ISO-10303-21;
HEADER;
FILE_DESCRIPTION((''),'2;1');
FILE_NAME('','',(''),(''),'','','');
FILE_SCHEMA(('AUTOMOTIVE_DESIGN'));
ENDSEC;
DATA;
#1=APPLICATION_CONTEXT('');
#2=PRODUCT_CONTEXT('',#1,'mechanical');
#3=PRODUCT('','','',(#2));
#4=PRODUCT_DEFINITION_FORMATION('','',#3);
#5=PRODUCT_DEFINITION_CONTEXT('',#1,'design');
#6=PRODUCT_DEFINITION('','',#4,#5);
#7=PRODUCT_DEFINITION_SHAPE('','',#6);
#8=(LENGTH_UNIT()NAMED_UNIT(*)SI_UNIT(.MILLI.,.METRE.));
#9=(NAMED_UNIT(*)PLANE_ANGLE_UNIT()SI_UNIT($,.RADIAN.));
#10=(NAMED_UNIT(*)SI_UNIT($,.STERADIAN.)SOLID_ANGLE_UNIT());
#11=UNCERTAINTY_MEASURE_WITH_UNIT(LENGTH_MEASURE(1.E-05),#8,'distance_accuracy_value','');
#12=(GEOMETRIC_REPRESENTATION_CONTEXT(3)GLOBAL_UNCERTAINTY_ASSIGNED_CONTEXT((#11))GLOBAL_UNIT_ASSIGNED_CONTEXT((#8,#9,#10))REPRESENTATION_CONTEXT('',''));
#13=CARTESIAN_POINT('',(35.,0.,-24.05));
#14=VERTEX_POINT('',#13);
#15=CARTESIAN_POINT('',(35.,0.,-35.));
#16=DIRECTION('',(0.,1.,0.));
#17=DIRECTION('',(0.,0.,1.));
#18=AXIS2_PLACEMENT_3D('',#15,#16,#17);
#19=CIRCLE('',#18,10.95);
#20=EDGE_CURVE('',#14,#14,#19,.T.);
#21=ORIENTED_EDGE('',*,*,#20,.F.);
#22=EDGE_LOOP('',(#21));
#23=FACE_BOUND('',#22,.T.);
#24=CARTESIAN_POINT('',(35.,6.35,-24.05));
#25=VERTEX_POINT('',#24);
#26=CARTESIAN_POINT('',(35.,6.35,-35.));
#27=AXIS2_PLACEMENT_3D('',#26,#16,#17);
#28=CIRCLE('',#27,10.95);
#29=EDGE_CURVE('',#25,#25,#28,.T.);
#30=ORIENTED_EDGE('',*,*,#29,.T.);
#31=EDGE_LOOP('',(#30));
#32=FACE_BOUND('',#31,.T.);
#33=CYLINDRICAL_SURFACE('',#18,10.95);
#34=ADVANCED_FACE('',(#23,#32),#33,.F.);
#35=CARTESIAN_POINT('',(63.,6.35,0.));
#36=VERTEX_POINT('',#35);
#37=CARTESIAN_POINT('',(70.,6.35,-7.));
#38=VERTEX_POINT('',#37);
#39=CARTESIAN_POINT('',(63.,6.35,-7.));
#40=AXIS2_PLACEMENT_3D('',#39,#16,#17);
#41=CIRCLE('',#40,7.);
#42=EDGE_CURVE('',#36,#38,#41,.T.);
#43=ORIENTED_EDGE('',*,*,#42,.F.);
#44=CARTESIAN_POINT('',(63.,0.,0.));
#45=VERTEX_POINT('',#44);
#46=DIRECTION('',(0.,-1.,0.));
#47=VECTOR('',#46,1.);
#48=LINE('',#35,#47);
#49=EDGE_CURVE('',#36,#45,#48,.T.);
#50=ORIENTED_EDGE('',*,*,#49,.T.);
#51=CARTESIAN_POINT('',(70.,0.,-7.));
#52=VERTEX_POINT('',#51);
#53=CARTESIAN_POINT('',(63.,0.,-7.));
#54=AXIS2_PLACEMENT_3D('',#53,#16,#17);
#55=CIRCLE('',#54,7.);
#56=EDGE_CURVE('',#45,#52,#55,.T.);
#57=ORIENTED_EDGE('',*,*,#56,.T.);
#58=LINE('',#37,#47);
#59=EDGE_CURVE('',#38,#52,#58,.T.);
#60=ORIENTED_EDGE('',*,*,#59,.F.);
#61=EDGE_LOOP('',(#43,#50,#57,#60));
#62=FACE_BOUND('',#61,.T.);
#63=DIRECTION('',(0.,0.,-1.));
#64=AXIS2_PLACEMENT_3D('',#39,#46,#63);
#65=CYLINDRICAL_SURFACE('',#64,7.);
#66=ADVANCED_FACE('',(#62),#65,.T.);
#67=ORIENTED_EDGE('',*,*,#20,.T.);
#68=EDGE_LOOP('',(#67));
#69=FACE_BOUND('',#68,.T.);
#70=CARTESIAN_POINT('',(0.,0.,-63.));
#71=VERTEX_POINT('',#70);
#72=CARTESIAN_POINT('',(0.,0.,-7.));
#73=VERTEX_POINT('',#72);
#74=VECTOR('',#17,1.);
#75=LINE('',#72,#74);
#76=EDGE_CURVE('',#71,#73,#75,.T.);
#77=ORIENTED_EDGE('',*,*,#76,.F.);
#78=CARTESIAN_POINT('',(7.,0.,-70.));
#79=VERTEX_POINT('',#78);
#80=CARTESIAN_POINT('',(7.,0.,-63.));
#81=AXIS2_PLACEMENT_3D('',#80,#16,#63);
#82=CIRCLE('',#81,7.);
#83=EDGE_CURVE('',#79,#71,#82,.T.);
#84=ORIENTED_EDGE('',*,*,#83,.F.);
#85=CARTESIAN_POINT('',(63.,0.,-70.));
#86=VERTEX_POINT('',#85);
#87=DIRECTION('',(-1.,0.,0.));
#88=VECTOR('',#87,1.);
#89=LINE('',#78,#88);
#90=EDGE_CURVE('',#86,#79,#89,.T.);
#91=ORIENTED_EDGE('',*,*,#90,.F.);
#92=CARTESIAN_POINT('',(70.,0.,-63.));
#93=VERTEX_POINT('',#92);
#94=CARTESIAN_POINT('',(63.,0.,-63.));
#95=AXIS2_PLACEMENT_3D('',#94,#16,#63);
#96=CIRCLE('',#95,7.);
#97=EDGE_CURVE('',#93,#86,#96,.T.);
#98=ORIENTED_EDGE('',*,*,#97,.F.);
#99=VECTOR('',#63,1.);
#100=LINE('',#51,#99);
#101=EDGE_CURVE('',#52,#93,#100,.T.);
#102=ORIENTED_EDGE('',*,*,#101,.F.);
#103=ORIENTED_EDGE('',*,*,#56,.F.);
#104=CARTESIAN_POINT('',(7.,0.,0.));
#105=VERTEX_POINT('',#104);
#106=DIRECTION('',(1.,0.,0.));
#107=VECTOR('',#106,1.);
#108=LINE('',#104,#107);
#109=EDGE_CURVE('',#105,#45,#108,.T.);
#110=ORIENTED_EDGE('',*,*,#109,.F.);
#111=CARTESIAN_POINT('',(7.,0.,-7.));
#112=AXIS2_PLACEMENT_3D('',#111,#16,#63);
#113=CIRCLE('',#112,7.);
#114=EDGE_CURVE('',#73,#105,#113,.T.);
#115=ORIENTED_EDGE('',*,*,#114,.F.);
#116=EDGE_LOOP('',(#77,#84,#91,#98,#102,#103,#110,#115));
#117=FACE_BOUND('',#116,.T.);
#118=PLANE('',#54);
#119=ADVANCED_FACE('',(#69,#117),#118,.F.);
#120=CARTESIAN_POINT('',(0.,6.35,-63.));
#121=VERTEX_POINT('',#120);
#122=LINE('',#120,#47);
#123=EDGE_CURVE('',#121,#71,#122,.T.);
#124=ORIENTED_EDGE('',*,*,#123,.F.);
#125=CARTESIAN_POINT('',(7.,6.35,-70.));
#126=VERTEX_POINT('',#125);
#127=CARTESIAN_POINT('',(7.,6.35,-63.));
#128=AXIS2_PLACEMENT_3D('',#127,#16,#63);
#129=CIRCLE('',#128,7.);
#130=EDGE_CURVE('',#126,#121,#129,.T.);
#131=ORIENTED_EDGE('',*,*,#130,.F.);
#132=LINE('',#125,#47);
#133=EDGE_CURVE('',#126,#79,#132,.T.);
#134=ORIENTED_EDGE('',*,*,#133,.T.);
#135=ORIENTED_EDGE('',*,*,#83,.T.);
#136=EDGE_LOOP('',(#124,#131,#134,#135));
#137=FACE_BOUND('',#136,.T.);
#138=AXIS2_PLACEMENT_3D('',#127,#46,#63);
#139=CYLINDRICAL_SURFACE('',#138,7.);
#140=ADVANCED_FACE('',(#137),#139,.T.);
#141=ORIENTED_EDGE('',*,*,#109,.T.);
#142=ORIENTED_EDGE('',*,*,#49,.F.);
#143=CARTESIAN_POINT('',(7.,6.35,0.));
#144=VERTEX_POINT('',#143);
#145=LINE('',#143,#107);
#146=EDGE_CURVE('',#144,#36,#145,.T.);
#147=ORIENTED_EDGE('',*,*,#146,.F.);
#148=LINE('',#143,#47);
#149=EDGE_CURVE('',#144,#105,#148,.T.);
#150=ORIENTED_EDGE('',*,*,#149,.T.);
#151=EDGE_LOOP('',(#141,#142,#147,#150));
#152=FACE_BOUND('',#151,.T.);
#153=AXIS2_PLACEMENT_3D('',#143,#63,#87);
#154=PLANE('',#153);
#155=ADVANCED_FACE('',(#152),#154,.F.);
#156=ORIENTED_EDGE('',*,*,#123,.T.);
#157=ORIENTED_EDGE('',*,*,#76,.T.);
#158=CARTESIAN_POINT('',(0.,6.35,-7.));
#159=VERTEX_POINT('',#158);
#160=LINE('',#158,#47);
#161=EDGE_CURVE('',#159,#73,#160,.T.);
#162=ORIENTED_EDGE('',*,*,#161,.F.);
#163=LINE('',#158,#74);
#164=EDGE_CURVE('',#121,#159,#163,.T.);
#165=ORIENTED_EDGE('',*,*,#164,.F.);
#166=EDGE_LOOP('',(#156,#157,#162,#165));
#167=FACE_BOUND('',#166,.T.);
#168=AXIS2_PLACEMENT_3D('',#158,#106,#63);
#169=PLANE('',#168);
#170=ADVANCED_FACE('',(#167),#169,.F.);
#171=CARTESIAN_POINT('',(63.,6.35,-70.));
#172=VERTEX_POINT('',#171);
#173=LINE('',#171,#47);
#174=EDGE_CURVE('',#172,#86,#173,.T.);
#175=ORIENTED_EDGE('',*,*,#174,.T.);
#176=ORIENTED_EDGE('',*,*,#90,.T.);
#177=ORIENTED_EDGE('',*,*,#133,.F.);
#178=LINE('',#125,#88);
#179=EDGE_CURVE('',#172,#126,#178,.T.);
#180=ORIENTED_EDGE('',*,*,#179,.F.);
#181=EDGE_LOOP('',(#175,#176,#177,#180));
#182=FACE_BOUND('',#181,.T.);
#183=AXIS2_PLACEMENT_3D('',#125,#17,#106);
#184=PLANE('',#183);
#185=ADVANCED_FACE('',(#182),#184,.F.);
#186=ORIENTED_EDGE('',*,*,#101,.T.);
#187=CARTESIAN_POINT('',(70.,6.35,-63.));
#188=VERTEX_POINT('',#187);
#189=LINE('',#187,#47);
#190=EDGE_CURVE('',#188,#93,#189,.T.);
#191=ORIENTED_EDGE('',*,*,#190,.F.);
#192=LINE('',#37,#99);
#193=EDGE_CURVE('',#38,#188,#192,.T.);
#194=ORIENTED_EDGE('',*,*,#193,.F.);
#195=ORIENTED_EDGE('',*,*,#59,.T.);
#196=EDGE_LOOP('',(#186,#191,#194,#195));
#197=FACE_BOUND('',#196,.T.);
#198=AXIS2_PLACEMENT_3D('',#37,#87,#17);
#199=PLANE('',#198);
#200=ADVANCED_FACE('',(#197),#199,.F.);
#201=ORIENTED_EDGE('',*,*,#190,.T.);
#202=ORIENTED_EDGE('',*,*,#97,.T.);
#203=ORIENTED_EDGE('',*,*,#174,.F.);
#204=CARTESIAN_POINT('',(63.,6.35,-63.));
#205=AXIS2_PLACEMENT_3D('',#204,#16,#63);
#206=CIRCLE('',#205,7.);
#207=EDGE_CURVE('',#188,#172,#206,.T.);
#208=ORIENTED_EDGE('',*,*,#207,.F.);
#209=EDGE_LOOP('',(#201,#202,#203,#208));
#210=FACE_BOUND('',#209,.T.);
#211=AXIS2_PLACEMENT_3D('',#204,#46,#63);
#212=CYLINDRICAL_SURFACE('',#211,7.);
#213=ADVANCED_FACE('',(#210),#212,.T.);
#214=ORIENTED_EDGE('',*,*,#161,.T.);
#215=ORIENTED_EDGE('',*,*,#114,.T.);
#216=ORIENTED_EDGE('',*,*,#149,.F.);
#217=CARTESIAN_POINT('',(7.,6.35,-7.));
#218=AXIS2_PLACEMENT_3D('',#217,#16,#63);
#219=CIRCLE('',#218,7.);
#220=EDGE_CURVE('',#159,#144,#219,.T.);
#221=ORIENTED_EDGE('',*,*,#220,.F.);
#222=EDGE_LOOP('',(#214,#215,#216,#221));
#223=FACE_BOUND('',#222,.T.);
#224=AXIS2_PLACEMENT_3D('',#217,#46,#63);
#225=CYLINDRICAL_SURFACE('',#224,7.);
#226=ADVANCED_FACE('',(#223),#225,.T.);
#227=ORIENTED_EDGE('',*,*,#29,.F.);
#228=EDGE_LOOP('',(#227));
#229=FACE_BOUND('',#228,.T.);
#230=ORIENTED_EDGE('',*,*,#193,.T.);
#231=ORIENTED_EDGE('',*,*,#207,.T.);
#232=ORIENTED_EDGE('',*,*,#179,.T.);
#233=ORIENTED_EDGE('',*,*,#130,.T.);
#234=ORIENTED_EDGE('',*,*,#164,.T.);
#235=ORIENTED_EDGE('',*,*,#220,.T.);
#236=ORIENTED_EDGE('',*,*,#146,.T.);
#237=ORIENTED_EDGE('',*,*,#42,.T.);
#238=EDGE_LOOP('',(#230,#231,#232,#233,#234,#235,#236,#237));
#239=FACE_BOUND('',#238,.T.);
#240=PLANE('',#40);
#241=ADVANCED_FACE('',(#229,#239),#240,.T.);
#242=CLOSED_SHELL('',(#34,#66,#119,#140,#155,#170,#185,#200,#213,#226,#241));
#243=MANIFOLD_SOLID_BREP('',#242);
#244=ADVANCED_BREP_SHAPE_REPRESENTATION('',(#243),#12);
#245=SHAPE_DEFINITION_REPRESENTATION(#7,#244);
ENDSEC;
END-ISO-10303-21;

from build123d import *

# Parameters (mm, degrees)
BOSS_EXTRUDE1_DEPTH = 6.35
SKETCH2_R           = 10.95
CUT_EXTRUDE1_DEPTH  = 6.35


with BuildPart() as part:
    # Sketch1 → Boss-Extrude1 (new body)
    with BuildSketch(Plane(origin=(0, 0, 0), x_dir=(1, 0, 0), z_dir=(0, 1, 0))):
        with BuildLine():
            Line((7, 0), (63, 0))
            ThreePointArc((63, 0), (67.949747468, 2.050252532), (70, 7))
            Line((70, 7), (70, 63))
            ThreePointArc((70, 63), (67.949747468, 67.949747468), (63, 70))
            Line((63, 70), (7, 70))
            ThreePointArc((7, 70), (2.050252532, 67.949747468), (0, 63))
            Line((0, 63), (0, 7))
            ThreePointArc((0, 7), (2.050252532, 2.050252532), (7, 0))
        make_face()
    extrude(amount=BOSS_EXTRUDE1_DEPTH)

    # Sketch2 → Cut-Extrude1 (cut)
    with BuildSketch(Plane(origin=(0, 6.35, 0), x_dir=(1, 0, 0), z_dir=(0, 1, 0))):
        with Locations(Location((35, 35, 0), (0, 0, 270))):
            Circle(SKETCH2_R)
    extrude(amount=-CUT_EXTRUDE1_DEPTH, mode=Mode.SUBTRACT)


solid = part.part
